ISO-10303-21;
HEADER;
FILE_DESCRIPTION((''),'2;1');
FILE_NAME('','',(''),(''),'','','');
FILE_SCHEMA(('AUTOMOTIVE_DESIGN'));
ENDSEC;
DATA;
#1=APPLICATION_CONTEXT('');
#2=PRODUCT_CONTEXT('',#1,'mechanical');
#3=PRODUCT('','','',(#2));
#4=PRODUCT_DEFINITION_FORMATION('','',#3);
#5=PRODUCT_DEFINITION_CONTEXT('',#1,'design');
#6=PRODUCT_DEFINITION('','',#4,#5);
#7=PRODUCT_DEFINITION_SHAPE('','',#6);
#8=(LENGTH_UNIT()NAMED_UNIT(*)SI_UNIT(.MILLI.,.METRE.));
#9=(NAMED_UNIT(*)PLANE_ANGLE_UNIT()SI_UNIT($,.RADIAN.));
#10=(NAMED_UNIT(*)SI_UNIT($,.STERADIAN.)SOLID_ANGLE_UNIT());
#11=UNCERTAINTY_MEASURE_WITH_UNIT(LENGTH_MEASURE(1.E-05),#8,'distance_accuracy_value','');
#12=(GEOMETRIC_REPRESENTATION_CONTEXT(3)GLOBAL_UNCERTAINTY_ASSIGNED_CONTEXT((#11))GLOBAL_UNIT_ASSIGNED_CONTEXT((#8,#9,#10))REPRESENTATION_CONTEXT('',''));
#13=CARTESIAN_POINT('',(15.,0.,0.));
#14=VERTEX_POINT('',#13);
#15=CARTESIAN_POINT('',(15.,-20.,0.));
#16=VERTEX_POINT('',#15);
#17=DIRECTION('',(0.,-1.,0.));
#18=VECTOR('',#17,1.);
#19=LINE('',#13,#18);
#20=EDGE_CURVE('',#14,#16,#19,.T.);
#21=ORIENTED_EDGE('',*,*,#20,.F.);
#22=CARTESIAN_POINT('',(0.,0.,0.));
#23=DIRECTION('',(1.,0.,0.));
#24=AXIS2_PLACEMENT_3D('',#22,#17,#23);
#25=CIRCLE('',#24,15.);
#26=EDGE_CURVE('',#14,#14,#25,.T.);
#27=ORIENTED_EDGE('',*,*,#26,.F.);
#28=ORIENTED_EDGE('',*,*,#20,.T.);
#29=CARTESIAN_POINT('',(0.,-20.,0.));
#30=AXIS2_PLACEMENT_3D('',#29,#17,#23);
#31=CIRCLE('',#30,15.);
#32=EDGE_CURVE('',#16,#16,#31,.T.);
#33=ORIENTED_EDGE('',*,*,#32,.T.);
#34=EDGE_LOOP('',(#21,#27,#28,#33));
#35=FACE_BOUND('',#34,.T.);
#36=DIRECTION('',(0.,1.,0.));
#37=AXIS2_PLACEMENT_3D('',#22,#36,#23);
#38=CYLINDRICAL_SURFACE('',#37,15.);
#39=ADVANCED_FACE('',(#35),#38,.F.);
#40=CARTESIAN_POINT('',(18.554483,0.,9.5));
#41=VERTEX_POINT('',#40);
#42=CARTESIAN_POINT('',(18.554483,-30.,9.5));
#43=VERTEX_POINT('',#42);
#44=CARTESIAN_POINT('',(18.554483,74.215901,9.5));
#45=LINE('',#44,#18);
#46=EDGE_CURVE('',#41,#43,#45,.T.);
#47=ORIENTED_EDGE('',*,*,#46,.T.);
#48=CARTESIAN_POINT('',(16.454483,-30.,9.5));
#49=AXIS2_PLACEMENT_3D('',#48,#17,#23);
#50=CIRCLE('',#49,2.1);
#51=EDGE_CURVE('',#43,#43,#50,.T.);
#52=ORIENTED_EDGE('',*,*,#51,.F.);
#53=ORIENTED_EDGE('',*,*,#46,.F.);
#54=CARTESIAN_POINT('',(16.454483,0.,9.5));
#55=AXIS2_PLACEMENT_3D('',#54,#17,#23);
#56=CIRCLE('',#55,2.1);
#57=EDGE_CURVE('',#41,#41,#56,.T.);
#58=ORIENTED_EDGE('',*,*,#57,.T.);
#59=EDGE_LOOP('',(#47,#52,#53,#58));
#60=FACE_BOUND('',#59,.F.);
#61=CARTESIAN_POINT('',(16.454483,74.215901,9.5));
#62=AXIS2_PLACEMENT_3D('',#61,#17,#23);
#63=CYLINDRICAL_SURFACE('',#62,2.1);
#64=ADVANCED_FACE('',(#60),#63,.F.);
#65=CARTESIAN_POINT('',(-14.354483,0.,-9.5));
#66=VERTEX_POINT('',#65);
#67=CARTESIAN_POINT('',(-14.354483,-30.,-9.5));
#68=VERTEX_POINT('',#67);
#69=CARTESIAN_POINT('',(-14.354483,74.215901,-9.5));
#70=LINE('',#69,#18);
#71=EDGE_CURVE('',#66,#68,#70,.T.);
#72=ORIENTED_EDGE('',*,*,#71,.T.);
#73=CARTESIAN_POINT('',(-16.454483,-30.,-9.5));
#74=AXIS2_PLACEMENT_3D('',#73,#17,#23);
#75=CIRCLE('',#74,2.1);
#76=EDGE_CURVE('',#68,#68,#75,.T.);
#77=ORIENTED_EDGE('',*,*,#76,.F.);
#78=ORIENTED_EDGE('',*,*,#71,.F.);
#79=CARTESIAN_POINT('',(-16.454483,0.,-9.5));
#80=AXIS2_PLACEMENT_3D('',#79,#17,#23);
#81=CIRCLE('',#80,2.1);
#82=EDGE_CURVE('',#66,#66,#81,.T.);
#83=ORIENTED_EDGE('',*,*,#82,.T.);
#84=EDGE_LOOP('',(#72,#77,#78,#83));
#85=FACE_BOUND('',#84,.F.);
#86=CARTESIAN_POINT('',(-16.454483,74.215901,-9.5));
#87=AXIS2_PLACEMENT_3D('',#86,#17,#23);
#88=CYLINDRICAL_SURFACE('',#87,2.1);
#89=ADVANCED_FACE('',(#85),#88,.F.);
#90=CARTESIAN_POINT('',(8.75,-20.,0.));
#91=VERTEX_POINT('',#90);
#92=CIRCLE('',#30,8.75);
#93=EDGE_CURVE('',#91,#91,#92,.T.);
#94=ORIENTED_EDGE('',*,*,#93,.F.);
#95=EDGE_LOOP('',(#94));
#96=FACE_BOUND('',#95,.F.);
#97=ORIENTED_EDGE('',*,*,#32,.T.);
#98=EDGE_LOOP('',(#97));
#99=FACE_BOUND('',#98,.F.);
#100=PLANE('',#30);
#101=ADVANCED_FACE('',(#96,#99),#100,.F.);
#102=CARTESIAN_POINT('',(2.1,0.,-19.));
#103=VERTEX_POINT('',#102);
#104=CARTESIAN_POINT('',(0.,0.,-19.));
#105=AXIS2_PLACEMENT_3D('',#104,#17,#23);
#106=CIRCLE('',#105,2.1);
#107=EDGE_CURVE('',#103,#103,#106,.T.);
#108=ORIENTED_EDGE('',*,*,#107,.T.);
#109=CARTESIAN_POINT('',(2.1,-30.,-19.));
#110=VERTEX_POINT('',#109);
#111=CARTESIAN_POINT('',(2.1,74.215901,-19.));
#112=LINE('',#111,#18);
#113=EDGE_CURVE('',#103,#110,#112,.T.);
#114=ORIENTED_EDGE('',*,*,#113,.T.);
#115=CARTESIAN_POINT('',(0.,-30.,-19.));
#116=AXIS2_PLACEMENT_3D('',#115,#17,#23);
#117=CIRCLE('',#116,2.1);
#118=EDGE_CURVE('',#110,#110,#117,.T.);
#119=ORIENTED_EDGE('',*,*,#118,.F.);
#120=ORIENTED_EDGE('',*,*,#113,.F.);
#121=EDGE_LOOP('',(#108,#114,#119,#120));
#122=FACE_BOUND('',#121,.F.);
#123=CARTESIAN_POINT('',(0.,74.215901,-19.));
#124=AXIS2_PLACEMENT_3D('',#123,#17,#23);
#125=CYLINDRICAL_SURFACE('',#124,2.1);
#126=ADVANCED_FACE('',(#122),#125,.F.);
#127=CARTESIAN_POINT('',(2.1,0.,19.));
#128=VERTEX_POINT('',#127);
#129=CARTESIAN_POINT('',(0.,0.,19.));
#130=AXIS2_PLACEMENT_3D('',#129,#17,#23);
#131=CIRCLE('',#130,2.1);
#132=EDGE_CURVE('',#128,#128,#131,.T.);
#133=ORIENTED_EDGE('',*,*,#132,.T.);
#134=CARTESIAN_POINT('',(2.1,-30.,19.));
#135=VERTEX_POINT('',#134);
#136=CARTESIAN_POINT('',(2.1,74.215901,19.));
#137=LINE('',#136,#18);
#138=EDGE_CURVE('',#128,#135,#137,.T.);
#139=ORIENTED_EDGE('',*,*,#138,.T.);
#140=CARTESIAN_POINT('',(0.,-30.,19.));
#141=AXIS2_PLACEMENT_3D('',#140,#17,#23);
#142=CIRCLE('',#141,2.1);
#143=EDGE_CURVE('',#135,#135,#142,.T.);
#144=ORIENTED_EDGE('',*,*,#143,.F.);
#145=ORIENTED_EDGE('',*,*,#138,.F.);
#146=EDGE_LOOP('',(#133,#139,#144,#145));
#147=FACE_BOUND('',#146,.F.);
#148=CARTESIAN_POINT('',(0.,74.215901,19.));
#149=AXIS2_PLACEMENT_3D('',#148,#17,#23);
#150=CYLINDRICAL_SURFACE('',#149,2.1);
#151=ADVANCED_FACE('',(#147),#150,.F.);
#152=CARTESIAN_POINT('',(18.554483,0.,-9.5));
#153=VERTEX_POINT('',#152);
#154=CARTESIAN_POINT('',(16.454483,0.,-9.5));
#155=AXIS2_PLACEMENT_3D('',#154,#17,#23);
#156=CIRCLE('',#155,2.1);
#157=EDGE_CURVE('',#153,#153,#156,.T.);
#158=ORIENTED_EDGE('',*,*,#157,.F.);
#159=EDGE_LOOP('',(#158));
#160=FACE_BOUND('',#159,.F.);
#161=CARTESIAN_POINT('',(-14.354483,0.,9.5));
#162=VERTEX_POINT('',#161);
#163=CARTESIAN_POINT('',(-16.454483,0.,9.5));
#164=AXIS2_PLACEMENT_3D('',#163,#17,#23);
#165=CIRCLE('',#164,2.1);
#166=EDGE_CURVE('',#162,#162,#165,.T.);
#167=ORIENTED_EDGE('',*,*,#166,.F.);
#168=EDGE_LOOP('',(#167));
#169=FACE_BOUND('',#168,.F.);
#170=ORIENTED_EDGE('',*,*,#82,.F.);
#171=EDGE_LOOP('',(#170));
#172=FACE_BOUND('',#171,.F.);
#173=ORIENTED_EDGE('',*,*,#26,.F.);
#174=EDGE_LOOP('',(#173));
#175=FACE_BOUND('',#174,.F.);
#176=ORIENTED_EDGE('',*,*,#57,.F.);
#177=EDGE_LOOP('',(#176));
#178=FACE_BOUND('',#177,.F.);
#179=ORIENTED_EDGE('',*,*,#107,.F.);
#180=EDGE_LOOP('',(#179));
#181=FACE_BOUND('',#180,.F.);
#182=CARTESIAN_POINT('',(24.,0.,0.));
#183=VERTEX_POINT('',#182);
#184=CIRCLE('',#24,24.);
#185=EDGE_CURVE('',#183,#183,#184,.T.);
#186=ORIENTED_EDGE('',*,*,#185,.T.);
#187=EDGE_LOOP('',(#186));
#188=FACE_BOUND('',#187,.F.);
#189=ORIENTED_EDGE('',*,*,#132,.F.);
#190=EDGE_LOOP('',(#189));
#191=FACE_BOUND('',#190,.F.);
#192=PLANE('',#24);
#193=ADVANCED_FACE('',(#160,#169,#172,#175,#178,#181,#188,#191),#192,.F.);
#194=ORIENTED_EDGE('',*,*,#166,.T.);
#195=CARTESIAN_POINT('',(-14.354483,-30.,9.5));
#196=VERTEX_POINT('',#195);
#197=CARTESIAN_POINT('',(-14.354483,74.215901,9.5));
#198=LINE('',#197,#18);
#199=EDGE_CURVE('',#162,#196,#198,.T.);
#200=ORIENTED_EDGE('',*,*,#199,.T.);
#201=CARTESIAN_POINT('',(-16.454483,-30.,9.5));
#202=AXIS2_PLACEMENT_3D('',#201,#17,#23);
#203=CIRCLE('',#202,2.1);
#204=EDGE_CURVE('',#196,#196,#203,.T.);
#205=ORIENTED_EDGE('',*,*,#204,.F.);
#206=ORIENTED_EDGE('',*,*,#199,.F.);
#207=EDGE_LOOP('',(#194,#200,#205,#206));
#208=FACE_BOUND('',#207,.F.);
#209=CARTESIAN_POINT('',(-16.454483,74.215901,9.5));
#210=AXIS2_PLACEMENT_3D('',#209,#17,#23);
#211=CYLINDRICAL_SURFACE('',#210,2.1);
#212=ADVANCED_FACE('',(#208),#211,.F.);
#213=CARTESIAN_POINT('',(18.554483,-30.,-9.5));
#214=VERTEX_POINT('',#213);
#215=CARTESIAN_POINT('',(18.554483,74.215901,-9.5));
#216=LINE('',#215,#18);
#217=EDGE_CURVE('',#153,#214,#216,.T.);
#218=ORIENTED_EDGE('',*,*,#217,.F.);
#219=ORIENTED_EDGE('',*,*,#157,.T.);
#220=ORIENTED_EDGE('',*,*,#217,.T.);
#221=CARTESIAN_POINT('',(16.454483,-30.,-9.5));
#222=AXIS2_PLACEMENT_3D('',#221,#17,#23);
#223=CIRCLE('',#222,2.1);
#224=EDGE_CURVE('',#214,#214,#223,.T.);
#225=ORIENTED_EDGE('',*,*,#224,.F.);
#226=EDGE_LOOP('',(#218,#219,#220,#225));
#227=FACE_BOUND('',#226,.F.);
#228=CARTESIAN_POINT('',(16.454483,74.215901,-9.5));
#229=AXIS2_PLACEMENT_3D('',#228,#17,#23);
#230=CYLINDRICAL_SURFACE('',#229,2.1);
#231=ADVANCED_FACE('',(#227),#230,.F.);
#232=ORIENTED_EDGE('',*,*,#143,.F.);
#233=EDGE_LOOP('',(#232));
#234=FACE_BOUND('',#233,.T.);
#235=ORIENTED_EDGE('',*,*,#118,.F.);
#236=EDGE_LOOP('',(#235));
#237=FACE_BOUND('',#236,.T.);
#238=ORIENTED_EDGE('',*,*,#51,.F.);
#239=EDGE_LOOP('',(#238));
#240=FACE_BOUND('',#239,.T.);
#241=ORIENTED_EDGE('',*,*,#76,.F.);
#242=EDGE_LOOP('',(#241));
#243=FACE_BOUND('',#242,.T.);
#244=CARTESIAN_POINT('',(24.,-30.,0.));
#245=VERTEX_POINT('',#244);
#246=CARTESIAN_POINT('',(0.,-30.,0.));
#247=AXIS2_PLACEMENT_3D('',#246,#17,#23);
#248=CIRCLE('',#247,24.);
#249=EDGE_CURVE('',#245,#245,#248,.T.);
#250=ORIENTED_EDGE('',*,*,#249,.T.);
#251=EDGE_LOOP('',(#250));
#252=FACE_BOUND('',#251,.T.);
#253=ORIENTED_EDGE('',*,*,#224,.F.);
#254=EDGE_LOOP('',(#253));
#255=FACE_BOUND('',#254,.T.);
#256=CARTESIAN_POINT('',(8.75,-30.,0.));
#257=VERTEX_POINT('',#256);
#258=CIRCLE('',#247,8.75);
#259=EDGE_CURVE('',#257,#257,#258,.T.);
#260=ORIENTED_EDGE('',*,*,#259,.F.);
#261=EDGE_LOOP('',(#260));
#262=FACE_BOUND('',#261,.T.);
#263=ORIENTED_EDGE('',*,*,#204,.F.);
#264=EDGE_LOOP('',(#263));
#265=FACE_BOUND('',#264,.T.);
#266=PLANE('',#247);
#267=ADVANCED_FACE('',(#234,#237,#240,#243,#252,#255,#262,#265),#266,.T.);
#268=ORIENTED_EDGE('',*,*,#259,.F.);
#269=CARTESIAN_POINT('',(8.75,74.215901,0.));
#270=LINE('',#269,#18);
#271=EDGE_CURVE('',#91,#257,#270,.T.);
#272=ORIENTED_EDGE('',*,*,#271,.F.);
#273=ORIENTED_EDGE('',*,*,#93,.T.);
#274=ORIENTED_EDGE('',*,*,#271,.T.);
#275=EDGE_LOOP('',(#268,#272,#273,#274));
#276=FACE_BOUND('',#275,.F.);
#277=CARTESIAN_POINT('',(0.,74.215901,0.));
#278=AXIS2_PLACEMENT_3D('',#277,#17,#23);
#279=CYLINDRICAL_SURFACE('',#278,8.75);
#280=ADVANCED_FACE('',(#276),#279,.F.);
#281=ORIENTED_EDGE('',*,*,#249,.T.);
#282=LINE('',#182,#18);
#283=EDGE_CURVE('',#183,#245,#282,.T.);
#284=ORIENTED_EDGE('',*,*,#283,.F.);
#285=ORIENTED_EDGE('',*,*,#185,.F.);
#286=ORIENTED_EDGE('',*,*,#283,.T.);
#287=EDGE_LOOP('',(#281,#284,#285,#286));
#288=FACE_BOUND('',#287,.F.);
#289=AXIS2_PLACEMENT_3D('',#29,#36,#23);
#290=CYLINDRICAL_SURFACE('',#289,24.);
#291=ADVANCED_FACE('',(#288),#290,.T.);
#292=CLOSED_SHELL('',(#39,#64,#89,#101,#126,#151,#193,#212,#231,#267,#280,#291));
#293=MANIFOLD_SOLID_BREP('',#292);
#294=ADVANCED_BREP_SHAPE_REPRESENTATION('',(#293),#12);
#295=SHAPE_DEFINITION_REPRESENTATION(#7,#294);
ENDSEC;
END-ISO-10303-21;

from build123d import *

# Parameters (mm, degrees)
F0_R     = 24
F0_R_2   = 15
F1_DEPTH = 20
F2_R     = 24
F3_DEPTH = 10
F5_D     = 4.2
F6_D     = 17.5


with BuildPart() as f1:
    # F0 (on Front) → F1 (new body)
    with BuildSketch(Plane.XZ):
        Circle(F0_R)
        Circle(F0_R_2, mode=Mode.SUBTRACT)
    extrude(amount=F1_DEPTH)

    # F2 (on face) → F3 (join)
    with BuildSketch(Plane.XZ.offset(20)):
        Circle(F2_R)
    extrude(amount=F3_DEPTH)

    # F5 (through all)
    with Locations(Plane(origin=(0, 0, 0), x_dir=(-1, 0, 0), z_dir=(0, 1, 0))):
        with Locations((0, 19), (16.4544826719, 9.5), (16.4544826719, -9.5), (0, -19), (-16.4544826719, -9.5), (-16.4544826719, 9.5)):
            Hole(F5_D / 2)

    # F6 (through all)
    with Locations(Plane(origin=(0, 0, 0), x_dir=(-1, 0, 0), z_dir=(0, 1, 0))):
        with Locations((0, 0)):
            Hole(F6_D / 2)


solid = f1.part
